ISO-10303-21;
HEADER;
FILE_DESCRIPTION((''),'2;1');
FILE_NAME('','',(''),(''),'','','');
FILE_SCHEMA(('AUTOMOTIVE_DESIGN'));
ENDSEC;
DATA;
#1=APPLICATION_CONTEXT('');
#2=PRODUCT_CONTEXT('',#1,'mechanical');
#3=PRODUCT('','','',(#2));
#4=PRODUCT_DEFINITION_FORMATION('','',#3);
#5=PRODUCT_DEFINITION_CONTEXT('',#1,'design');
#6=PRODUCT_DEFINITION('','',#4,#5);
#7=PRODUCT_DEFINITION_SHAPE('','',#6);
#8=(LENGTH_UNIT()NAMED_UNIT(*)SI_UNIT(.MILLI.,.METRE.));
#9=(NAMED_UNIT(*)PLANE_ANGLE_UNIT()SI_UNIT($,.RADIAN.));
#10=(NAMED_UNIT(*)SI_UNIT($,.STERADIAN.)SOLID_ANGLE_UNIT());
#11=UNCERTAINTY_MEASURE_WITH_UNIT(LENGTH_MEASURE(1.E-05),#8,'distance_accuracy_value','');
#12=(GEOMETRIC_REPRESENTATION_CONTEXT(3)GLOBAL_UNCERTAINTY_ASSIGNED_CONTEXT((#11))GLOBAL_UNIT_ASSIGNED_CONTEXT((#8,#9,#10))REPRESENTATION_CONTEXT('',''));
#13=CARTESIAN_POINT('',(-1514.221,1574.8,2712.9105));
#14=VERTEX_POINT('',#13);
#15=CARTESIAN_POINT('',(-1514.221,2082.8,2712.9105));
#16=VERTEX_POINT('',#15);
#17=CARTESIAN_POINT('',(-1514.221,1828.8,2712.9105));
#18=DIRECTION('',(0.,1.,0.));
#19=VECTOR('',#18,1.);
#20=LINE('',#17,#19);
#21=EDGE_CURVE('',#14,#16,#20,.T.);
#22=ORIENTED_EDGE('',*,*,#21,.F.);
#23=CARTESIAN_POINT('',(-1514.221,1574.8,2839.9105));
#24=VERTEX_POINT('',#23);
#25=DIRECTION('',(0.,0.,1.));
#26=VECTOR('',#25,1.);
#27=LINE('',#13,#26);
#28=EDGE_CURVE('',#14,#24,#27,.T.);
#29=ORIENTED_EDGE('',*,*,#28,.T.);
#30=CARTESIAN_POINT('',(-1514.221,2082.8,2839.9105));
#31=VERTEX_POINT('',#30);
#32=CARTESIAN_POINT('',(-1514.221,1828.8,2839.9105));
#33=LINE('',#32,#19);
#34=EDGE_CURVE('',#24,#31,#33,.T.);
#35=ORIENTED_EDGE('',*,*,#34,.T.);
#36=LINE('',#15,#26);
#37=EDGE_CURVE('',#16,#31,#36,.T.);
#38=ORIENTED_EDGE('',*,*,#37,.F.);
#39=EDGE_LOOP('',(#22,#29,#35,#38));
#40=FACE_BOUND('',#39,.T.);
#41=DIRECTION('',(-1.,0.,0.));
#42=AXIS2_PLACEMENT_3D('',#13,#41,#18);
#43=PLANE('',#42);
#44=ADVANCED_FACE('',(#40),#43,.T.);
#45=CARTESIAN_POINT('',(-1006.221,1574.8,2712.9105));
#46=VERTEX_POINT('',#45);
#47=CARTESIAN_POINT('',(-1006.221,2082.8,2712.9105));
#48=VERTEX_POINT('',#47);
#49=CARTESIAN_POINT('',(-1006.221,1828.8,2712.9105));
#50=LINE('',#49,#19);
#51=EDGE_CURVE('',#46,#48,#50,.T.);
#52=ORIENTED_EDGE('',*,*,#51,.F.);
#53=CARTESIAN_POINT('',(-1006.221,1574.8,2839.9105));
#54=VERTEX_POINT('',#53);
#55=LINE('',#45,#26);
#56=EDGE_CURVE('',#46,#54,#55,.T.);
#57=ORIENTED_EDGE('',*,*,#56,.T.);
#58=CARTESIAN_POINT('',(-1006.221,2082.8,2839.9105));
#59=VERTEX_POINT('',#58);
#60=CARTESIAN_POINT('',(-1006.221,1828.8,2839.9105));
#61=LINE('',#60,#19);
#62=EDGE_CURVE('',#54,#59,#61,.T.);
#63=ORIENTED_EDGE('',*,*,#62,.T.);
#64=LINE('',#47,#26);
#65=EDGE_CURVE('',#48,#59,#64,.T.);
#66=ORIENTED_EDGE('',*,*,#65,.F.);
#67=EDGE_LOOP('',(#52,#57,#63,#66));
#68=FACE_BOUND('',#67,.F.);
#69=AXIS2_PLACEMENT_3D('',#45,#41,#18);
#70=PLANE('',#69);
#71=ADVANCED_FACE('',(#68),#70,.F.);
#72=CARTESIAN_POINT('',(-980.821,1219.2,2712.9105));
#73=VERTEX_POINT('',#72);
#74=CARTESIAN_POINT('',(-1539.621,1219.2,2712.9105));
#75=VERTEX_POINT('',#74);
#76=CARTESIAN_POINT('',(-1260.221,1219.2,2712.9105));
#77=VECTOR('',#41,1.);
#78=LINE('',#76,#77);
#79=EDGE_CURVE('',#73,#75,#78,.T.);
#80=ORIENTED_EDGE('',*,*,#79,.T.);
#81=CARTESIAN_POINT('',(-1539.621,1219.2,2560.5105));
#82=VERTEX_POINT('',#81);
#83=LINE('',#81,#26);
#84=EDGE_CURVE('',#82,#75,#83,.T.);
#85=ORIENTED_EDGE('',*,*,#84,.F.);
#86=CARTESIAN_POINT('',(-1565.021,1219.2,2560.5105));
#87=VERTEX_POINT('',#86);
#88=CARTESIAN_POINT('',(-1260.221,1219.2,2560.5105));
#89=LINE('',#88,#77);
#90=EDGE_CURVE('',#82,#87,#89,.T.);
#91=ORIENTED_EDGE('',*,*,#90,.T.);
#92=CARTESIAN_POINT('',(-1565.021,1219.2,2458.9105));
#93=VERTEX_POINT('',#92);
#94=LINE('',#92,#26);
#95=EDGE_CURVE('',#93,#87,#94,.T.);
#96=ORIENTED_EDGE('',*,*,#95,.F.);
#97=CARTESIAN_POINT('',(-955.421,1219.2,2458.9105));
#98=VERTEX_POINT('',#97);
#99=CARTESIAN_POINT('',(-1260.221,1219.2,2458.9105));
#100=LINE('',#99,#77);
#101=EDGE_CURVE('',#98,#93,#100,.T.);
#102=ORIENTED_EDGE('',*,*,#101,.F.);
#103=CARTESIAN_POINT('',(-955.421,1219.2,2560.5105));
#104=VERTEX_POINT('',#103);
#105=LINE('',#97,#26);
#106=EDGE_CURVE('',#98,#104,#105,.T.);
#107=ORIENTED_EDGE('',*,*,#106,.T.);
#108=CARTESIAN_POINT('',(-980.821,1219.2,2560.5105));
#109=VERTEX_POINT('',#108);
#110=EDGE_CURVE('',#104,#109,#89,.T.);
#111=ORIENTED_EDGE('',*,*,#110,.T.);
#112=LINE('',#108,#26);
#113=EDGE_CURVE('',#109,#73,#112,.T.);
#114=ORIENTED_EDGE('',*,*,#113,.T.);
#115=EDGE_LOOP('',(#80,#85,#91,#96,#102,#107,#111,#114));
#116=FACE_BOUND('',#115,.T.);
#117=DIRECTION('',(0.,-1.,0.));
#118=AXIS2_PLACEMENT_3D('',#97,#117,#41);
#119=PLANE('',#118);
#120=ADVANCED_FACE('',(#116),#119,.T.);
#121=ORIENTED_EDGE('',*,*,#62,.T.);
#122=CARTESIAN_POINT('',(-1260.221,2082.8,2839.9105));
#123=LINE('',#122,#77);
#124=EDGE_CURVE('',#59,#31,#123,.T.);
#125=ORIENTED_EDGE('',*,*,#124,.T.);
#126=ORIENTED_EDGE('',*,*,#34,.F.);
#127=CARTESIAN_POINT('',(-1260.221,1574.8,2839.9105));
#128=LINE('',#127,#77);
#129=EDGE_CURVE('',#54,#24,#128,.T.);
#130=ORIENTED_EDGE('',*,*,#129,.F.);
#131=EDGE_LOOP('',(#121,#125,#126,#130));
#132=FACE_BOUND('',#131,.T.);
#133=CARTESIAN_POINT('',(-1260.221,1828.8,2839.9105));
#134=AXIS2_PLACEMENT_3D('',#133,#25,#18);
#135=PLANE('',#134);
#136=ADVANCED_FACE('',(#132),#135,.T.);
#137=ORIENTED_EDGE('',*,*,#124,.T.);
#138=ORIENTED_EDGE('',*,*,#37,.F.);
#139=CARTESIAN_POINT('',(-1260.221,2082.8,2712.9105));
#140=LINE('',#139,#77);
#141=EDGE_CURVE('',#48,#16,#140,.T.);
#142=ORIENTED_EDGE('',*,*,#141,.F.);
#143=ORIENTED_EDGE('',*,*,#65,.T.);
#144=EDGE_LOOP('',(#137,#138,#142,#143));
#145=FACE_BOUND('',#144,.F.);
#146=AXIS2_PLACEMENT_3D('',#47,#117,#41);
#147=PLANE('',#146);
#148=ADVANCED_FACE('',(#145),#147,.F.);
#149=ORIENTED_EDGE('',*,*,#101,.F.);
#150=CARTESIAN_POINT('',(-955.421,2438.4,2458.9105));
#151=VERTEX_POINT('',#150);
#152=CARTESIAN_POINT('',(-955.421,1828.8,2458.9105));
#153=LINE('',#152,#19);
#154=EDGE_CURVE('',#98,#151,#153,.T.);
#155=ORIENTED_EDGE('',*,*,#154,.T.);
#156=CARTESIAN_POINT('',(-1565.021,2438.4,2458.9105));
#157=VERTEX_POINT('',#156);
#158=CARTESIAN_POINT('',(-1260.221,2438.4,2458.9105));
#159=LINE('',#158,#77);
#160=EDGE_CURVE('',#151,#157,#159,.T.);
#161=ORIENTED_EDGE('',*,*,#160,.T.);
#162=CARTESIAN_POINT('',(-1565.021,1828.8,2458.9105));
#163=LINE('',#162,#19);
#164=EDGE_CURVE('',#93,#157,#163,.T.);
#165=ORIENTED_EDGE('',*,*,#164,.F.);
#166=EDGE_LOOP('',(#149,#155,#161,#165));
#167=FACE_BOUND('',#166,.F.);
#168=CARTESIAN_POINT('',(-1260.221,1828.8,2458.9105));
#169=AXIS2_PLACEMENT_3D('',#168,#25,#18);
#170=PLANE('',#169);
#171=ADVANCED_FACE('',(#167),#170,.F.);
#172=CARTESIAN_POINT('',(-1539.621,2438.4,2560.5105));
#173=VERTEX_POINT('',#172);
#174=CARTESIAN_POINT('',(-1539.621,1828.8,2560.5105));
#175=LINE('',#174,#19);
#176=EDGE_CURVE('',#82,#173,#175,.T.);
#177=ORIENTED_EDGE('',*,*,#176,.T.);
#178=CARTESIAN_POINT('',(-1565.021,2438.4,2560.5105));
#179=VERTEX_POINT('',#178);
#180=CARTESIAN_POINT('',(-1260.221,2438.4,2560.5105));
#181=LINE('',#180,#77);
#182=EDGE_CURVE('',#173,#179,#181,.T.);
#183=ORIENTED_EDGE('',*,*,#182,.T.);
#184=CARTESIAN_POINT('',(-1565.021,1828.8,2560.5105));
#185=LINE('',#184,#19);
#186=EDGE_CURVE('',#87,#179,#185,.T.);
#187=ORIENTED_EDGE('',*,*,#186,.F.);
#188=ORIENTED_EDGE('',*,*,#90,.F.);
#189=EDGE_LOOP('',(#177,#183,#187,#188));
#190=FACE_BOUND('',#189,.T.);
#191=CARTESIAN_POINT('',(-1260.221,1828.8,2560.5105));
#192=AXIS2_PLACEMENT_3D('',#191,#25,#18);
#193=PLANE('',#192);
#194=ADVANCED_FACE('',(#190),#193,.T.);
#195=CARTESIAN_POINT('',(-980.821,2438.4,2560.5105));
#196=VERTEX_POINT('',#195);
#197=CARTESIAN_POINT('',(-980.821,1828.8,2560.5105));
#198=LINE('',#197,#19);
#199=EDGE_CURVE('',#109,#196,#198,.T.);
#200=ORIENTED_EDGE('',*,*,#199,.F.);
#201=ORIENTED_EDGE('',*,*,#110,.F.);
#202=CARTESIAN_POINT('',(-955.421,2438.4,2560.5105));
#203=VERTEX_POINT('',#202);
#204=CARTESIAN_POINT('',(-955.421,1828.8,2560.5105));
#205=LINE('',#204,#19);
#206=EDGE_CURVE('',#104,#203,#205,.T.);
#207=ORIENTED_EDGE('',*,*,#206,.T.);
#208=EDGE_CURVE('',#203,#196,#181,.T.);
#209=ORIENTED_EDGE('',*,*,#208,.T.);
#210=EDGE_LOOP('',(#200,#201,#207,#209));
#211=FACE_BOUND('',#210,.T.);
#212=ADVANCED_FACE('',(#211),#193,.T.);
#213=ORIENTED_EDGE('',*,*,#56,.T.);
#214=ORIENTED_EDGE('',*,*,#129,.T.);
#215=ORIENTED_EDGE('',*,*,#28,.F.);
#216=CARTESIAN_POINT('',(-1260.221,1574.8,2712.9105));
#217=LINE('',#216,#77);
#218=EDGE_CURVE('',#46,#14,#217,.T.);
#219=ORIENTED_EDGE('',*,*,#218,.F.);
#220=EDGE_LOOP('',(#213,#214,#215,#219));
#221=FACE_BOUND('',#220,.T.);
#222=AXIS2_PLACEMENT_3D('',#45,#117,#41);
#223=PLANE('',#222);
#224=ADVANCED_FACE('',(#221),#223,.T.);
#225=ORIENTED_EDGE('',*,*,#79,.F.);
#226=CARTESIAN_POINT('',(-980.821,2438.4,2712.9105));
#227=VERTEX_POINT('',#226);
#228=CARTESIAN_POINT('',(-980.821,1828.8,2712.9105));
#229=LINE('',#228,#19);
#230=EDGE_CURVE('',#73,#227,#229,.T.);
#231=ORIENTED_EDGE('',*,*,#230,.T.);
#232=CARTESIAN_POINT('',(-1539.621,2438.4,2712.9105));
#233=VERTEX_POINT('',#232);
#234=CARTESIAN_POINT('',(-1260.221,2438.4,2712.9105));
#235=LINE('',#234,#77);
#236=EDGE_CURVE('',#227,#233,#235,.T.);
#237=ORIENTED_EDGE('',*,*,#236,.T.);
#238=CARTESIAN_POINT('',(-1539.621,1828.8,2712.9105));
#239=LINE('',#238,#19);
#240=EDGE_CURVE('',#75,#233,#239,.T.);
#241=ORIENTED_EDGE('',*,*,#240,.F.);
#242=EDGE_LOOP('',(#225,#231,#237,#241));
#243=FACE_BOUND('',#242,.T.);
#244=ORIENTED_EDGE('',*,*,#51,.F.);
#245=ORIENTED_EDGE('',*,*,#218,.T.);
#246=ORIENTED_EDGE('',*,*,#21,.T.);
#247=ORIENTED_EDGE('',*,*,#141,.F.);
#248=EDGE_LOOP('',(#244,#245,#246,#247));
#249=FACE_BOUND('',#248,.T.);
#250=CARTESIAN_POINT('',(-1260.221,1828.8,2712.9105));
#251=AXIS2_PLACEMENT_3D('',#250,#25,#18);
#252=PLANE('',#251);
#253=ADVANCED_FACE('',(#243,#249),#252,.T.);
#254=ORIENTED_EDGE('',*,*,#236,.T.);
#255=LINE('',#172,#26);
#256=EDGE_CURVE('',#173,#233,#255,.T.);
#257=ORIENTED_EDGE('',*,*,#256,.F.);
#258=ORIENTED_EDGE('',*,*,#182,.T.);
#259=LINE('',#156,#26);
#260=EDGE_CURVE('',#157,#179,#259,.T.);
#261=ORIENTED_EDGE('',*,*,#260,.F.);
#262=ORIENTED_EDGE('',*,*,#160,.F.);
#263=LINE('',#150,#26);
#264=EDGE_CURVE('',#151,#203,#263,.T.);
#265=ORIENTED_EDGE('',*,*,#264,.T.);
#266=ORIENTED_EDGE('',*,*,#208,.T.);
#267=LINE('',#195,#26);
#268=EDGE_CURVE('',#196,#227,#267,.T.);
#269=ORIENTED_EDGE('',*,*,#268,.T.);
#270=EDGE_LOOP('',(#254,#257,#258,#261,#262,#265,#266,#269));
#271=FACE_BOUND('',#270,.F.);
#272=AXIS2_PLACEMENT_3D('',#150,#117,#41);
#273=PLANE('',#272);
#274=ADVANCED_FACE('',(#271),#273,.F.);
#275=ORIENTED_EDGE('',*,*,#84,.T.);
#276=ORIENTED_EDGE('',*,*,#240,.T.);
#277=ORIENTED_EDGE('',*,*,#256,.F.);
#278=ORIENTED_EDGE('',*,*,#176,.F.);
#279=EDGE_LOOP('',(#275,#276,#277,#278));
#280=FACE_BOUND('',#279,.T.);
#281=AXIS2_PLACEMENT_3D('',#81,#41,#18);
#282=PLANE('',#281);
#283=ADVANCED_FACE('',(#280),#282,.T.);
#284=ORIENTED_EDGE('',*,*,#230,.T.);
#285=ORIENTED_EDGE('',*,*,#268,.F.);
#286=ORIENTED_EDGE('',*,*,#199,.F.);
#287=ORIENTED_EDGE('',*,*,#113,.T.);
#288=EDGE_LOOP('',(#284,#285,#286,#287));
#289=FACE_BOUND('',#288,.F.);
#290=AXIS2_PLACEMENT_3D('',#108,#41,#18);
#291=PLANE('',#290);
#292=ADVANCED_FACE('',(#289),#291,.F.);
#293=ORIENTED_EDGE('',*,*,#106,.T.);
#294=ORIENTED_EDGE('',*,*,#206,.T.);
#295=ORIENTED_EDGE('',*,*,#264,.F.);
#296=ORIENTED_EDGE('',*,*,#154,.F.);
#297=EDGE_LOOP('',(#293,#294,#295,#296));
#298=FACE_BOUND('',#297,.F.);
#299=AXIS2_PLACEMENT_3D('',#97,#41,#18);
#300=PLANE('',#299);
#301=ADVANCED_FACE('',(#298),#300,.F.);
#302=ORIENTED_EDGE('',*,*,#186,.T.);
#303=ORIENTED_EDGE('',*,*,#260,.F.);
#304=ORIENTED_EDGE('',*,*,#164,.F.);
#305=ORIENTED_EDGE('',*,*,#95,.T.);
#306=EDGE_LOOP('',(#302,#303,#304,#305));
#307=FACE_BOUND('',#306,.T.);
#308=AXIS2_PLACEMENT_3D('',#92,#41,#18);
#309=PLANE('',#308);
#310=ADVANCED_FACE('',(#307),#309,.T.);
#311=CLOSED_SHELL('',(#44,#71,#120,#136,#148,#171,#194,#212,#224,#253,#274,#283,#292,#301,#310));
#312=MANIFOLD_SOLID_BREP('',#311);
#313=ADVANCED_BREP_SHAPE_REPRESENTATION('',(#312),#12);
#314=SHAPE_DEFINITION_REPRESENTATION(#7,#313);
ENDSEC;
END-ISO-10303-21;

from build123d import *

# Parameters (mm, degrees)
SKETCH008_W             = 1219.2
SKETCH008_H             = 609.6
PAD008_DEPTH            = 101.6
SKETCH007_W             = 1219.2
SKETCH007_H             = 558.8
PAD006_DEPTH            = 152.4
SKETCH006_W             = 508
SKETCH006_H             = 508
PAD007_DEPTH            = 127
BODY002_PLACEMENT_ANGLE = 90


with BuildPart() as part:
    # Sketch008 → Pad008 (new body)
    with BuildSketch(Plane.XY):
        with Locations((609.6, 304.8)):
            Rectangle(SKETCH008_W, SKETCH008_H)
    extrude(amount=PAD008_DEPTH)

    # Sketch007 (on Face6 of Pad008) → Pad006 (join)
    with BuildSketch(Plane.XY.offset(101.6)):
        with Locations((609.6, 304.8)):
            Rectangle(SKETCH007_W, SKETCH007_H)
    extrude(amount=PAD006_DEPTH)

    # Sketch006 (on Face12 of Pad006) → Pad007 (join)
    with BuildSketch(Plane.XY.offset(254)):
        with Locations((609.6, 304.8)):
            Rectangle(SKETCH006_W, SKETCH006_H)
    extrude(amount=PAD007_DEPTH)


with BuildPart() as part_1:
    # Body002 placement: moved
    add(part.part.moved(Location((-955.421, 1219.2, 2458.9105))).rotate(Axis((-955.421, 1219.2, 2458.9105), (0, 0, 1)), BODY002_PLACEMENT_ANGLE))


solid = part_1.part
